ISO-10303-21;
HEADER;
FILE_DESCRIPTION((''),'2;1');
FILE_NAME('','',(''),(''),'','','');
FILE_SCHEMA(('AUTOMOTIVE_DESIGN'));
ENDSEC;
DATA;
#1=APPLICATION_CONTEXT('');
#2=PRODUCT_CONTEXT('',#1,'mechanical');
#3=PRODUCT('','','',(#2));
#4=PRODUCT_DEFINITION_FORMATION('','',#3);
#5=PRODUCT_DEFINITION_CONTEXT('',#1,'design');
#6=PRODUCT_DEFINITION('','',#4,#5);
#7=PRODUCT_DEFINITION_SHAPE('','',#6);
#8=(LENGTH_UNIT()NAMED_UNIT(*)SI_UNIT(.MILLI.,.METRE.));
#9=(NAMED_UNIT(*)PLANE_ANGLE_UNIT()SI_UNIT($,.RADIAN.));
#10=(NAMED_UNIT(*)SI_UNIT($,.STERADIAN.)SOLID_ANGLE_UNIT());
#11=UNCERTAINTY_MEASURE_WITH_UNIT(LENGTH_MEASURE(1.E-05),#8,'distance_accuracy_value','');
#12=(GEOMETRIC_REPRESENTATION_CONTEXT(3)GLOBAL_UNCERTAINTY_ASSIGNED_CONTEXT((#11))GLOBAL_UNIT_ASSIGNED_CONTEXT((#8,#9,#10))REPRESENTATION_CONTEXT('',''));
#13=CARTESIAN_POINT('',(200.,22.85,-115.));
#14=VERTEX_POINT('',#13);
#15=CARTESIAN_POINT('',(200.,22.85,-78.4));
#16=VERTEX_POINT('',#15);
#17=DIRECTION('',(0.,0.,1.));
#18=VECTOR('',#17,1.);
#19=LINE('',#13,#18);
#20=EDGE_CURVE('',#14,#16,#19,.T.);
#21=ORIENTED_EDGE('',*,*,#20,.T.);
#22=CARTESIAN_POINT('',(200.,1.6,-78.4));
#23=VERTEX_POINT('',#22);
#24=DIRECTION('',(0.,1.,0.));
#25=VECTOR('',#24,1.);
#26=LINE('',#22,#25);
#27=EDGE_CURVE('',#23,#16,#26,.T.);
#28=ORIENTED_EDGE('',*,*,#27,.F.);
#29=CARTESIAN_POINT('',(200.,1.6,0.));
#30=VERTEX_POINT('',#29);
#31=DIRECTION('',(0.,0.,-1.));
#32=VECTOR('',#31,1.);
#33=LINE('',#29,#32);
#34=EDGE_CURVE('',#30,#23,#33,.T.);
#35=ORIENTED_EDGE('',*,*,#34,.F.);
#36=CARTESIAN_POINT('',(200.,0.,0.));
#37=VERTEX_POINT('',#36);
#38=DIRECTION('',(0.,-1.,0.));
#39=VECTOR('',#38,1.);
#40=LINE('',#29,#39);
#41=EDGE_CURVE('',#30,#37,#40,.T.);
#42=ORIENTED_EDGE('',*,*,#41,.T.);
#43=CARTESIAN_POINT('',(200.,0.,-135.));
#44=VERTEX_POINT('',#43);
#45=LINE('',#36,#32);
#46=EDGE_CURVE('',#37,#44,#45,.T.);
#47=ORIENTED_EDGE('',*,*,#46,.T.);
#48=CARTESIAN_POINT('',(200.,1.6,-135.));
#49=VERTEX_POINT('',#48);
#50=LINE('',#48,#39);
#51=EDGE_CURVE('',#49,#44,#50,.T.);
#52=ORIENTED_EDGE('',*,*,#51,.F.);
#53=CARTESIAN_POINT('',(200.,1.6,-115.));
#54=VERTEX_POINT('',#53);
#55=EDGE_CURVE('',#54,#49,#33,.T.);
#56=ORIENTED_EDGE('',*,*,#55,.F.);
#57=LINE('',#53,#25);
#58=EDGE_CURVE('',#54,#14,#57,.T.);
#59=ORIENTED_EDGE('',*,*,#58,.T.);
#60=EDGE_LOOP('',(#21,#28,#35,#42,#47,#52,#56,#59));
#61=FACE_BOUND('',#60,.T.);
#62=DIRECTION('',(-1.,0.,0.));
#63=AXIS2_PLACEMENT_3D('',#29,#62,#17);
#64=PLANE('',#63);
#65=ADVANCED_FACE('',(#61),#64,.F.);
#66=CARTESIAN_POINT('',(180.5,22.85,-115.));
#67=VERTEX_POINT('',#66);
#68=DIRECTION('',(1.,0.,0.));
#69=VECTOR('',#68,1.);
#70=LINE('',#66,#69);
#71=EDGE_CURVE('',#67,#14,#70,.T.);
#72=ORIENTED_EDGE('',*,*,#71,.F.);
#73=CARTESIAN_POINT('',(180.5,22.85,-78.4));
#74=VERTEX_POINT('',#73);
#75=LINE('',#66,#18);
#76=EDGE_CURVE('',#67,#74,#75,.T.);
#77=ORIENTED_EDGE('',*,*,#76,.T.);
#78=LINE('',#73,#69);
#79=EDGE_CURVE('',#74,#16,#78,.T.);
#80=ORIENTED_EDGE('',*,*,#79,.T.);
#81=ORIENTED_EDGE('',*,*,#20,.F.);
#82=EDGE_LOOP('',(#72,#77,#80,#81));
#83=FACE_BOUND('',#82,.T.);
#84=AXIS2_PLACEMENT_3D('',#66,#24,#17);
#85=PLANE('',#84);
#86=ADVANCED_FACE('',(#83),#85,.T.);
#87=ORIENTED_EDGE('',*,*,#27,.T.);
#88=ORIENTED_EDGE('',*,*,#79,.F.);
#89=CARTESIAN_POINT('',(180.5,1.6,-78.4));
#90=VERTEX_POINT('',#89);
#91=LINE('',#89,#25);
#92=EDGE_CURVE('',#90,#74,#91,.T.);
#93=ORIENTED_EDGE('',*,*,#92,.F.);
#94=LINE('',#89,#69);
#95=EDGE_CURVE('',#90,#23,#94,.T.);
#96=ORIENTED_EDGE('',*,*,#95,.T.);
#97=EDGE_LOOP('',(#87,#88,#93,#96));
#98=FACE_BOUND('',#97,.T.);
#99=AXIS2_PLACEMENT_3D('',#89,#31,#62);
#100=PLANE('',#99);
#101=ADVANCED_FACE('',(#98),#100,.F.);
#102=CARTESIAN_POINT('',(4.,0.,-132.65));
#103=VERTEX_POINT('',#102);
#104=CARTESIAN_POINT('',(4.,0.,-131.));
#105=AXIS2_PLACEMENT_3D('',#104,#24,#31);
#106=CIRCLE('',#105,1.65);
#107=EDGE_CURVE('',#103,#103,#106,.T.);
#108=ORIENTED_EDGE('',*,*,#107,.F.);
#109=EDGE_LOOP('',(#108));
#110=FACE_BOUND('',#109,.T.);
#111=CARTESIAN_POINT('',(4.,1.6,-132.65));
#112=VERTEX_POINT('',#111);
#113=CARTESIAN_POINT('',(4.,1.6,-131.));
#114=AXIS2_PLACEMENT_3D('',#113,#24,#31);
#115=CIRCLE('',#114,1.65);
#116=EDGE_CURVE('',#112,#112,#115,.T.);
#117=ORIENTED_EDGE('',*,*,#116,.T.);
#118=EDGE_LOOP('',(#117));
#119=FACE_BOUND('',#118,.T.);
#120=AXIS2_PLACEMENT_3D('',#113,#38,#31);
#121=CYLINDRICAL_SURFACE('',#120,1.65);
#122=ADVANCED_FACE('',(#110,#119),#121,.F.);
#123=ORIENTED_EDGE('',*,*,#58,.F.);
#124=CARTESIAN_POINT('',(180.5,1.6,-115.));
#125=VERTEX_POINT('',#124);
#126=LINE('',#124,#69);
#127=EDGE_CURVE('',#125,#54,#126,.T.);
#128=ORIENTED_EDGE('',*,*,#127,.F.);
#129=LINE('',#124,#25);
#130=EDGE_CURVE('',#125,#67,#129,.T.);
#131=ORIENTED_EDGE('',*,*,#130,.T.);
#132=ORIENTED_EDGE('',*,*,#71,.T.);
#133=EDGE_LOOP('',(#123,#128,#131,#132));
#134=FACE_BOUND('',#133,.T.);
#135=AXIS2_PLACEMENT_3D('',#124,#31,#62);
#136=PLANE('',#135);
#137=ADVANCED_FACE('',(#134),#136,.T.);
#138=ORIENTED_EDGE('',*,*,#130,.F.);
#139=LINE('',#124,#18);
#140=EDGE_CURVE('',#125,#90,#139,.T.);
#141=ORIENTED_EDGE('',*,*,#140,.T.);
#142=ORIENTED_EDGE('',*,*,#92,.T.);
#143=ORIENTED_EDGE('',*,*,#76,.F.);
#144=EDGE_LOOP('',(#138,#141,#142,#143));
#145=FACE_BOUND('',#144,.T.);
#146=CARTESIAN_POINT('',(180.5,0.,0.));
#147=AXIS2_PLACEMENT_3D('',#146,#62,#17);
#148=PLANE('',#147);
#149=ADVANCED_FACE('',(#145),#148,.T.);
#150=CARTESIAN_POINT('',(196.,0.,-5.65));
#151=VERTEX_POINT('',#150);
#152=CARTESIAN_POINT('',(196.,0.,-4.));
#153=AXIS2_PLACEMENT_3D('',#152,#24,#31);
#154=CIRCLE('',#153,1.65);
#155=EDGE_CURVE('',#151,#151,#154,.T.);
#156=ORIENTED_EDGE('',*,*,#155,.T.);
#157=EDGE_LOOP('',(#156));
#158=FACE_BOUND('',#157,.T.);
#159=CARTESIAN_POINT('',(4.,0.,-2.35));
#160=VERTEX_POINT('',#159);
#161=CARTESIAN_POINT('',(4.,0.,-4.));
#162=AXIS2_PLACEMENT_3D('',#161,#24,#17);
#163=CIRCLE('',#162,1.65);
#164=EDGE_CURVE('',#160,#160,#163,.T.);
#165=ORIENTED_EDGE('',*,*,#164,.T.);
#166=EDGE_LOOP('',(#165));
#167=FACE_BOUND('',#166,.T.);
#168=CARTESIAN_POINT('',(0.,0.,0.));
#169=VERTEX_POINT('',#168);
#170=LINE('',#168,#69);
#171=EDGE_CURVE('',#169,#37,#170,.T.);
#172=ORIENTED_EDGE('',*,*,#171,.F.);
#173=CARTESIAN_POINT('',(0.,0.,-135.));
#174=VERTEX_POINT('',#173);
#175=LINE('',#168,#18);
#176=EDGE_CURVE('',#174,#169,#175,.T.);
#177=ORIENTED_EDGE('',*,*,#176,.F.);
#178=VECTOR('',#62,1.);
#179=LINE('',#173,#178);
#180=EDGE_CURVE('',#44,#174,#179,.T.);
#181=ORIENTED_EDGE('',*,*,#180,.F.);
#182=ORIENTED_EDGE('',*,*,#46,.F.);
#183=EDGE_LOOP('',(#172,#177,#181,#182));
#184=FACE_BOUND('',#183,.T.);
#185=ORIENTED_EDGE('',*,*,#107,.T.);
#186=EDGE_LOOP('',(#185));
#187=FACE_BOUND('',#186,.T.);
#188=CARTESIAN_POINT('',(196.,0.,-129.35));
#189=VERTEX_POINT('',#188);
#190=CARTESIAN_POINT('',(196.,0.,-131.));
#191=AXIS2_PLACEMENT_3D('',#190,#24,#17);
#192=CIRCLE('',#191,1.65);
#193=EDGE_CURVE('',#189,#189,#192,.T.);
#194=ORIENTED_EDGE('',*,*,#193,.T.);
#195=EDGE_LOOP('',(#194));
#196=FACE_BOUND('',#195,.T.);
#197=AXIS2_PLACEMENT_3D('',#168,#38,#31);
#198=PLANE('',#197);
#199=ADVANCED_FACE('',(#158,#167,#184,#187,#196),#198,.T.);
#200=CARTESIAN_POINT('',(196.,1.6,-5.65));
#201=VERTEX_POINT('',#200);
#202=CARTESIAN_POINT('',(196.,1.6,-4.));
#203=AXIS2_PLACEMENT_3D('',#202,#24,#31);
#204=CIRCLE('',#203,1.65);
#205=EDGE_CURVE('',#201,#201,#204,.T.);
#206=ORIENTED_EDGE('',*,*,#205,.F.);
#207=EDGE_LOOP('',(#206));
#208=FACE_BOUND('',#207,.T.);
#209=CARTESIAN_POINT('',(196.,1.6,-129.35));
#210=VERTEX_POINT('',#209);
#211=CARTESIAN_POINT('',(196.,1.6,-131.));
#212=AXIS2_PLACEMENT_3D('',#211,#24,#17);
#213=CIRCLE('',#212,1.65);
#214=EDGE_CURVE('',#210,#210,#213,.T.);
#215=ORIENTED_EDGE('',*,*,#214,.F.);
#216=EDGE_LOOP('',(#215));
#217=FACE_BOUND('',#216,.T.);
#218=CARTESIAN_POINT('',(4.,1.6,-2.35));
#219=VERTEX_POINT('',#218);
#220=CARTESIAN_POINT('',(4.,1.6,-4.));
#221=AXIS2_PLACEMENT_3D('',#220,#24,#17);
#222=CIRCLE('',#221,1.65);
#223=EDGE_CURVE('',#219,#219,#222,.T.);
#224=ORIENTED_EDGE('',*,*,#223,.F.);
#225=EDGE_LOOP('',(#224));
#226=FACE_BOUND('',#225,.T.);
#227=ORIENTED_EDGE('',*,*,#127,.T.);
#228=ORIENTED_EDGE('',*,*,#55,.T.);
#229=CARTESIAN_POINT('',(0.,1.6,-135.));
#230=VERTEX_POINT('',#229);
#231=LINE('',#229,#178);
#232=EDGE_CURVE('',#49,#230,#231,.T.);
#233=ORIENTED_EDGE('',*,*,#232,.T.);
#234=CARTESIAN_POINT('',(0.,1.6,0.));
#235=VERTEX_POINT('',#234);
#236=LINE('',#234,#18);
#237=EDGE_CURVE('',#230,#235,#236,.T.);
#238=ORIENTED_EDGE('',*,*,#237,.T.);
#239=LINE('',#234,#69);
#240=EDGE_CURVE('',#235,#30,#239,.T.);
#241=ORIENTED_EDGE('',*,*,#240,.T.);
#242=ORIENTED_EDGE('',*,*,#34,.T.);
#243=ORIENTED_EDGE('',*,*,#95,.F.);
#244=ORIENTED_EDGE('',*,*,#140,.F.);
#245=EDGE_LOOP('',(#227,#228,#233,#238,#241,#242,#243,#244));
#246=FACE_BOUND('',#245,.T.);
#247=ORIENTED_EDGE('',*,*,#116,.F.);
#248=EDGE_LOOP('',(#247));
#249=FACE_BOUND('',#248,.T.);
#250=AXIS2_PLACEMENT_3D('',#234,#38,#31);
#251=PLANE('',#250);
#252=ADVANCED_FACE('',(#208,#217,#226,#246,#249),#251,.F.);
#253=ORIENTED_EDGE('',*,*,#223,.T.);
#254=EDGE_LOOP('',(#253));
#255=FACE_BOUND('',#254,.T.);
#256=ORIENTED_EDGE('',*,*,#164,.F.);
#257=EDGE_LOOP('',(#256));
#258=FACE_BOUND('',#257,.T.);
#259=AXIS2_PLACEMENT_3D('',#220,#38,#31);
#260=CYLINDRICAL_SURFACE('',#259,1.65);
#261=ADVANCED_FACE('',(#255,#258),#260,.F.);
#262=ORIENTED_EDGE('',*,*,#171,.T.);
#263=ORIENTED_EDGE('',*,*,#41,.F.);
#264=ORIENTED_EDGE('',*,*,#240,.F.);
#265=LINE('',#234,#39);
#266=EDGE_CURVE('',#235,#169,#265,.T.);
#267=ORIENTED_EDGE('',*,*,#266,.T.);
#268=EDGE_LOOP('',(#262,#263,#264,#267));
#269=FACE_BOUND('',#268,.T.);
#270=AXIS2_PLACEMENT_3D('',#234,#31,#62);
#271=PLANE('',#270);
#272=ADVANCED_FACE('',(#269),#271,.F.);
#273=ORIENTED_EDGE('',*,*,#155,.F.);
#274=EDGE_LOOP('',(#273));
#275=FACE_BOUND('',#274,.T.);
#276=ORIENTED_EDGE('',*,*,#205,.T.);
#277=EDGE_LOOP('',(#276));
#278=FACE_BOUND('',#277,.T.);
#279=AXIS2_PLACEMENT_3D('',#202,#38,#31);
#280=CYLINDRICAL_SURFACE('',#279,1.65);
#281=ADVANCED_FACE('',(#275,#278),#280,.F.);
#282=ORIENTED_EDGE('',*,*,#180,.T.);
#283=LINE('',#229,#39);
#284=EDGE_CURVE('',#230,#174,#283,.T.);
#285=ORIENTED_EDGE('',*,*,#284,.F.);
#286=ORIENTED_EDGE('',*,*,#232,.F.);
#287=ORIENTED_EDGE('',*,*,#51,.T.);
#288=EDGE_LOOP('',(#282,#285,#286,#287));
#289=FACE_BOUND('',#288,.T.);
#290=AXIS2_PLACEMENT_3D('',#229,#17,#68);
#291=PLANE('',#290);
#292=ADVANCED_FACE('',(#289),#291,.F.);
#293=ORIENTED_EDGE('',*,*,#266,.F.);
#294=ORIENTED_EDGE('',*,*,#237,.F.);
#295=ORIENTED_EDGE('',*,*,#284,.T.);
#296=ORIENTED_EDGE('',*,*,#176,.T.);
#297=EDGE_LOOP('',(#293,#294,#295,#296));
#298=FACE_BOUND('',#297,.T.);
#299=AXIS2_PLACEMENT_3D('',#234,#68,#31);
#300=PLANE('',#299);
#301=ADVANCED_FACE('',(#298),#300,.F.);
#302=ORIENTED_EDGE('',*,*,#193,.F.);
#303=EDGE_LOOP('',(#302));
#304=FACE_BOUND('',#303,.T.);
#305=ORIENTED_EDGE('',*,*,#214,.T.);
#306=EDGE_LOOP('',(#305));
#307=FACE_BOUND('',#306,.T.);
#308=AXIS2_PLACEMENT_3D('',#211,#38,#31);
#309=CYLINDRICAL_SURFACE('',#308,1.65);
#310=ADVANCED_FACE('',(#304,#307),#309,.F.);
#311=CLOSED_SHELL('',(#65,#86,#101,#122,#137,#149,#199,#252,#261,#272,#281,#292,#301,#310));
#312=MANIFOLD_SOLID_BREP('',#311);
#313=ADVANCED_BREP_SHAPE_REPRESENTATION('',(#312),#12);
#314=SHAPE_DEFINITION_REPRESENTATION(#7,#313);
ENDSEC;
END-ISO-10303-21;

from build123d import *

# Parameters (mm, degrees)
SKETCH1_W           = 200
SKETCH1_H           = 135
SKETCH1_R           = 1.65
BOSS_EXTRUDE1_DEPTH = 1.6
SKETCH2_W           = 36.6
SKETCH2_H           = 21.25
BOSS_EXTRUDE2_DEPTH = 19.5


with BuildPart() as part:
    # Sketch1 → Boss-Extrude1 (new body)
    with BuildSketch(Plane(origin=(0, 0, 0), x_dir=(1, 0, 0), z_dir=(0, 1, 0))):
        with Locations((100, 67.5)):
            Rectangle(SKETCH1_W, SKETCH1_H)
        with Locations(Location((196, 131, 0), (0, 0, 270))):
            Circle(SKETCH1_R, mode=Mode.SUBTRACT)
        with Locations(Location((4, 131, 0), (0, 0, 90))):
            Circle(SKETCH1_R, mode=Mode.SUBTRACT)
        with Locations(Location((4, 4, 0), (0, 0, 270))):
            Circle(SKETCH1_R, mode=Mode.SUBTRACT)
        with Locations(Location((196, 4, 0), (0, 0, 90))):
            Circle(SKETCH1_R, mode=Mode.SUBTRACT)
    extrude(amount=BOSS_EXTRUDE1_DEPTH)

    # Sketch2 → Boss-Extrude2 (add)
    with BuildSketch(Plane(origin=(200, 0, 0), x_dir=(0, 0, -1), z_dir=(1, 0, 0))):
        with Locations((96.7, 12.225)):
            Rectangle(SKETCH2_W, SKETCH2_H)
    extrude(amount=-BOSS_EXTRUDE2_DEPTH)


solid = part.part
